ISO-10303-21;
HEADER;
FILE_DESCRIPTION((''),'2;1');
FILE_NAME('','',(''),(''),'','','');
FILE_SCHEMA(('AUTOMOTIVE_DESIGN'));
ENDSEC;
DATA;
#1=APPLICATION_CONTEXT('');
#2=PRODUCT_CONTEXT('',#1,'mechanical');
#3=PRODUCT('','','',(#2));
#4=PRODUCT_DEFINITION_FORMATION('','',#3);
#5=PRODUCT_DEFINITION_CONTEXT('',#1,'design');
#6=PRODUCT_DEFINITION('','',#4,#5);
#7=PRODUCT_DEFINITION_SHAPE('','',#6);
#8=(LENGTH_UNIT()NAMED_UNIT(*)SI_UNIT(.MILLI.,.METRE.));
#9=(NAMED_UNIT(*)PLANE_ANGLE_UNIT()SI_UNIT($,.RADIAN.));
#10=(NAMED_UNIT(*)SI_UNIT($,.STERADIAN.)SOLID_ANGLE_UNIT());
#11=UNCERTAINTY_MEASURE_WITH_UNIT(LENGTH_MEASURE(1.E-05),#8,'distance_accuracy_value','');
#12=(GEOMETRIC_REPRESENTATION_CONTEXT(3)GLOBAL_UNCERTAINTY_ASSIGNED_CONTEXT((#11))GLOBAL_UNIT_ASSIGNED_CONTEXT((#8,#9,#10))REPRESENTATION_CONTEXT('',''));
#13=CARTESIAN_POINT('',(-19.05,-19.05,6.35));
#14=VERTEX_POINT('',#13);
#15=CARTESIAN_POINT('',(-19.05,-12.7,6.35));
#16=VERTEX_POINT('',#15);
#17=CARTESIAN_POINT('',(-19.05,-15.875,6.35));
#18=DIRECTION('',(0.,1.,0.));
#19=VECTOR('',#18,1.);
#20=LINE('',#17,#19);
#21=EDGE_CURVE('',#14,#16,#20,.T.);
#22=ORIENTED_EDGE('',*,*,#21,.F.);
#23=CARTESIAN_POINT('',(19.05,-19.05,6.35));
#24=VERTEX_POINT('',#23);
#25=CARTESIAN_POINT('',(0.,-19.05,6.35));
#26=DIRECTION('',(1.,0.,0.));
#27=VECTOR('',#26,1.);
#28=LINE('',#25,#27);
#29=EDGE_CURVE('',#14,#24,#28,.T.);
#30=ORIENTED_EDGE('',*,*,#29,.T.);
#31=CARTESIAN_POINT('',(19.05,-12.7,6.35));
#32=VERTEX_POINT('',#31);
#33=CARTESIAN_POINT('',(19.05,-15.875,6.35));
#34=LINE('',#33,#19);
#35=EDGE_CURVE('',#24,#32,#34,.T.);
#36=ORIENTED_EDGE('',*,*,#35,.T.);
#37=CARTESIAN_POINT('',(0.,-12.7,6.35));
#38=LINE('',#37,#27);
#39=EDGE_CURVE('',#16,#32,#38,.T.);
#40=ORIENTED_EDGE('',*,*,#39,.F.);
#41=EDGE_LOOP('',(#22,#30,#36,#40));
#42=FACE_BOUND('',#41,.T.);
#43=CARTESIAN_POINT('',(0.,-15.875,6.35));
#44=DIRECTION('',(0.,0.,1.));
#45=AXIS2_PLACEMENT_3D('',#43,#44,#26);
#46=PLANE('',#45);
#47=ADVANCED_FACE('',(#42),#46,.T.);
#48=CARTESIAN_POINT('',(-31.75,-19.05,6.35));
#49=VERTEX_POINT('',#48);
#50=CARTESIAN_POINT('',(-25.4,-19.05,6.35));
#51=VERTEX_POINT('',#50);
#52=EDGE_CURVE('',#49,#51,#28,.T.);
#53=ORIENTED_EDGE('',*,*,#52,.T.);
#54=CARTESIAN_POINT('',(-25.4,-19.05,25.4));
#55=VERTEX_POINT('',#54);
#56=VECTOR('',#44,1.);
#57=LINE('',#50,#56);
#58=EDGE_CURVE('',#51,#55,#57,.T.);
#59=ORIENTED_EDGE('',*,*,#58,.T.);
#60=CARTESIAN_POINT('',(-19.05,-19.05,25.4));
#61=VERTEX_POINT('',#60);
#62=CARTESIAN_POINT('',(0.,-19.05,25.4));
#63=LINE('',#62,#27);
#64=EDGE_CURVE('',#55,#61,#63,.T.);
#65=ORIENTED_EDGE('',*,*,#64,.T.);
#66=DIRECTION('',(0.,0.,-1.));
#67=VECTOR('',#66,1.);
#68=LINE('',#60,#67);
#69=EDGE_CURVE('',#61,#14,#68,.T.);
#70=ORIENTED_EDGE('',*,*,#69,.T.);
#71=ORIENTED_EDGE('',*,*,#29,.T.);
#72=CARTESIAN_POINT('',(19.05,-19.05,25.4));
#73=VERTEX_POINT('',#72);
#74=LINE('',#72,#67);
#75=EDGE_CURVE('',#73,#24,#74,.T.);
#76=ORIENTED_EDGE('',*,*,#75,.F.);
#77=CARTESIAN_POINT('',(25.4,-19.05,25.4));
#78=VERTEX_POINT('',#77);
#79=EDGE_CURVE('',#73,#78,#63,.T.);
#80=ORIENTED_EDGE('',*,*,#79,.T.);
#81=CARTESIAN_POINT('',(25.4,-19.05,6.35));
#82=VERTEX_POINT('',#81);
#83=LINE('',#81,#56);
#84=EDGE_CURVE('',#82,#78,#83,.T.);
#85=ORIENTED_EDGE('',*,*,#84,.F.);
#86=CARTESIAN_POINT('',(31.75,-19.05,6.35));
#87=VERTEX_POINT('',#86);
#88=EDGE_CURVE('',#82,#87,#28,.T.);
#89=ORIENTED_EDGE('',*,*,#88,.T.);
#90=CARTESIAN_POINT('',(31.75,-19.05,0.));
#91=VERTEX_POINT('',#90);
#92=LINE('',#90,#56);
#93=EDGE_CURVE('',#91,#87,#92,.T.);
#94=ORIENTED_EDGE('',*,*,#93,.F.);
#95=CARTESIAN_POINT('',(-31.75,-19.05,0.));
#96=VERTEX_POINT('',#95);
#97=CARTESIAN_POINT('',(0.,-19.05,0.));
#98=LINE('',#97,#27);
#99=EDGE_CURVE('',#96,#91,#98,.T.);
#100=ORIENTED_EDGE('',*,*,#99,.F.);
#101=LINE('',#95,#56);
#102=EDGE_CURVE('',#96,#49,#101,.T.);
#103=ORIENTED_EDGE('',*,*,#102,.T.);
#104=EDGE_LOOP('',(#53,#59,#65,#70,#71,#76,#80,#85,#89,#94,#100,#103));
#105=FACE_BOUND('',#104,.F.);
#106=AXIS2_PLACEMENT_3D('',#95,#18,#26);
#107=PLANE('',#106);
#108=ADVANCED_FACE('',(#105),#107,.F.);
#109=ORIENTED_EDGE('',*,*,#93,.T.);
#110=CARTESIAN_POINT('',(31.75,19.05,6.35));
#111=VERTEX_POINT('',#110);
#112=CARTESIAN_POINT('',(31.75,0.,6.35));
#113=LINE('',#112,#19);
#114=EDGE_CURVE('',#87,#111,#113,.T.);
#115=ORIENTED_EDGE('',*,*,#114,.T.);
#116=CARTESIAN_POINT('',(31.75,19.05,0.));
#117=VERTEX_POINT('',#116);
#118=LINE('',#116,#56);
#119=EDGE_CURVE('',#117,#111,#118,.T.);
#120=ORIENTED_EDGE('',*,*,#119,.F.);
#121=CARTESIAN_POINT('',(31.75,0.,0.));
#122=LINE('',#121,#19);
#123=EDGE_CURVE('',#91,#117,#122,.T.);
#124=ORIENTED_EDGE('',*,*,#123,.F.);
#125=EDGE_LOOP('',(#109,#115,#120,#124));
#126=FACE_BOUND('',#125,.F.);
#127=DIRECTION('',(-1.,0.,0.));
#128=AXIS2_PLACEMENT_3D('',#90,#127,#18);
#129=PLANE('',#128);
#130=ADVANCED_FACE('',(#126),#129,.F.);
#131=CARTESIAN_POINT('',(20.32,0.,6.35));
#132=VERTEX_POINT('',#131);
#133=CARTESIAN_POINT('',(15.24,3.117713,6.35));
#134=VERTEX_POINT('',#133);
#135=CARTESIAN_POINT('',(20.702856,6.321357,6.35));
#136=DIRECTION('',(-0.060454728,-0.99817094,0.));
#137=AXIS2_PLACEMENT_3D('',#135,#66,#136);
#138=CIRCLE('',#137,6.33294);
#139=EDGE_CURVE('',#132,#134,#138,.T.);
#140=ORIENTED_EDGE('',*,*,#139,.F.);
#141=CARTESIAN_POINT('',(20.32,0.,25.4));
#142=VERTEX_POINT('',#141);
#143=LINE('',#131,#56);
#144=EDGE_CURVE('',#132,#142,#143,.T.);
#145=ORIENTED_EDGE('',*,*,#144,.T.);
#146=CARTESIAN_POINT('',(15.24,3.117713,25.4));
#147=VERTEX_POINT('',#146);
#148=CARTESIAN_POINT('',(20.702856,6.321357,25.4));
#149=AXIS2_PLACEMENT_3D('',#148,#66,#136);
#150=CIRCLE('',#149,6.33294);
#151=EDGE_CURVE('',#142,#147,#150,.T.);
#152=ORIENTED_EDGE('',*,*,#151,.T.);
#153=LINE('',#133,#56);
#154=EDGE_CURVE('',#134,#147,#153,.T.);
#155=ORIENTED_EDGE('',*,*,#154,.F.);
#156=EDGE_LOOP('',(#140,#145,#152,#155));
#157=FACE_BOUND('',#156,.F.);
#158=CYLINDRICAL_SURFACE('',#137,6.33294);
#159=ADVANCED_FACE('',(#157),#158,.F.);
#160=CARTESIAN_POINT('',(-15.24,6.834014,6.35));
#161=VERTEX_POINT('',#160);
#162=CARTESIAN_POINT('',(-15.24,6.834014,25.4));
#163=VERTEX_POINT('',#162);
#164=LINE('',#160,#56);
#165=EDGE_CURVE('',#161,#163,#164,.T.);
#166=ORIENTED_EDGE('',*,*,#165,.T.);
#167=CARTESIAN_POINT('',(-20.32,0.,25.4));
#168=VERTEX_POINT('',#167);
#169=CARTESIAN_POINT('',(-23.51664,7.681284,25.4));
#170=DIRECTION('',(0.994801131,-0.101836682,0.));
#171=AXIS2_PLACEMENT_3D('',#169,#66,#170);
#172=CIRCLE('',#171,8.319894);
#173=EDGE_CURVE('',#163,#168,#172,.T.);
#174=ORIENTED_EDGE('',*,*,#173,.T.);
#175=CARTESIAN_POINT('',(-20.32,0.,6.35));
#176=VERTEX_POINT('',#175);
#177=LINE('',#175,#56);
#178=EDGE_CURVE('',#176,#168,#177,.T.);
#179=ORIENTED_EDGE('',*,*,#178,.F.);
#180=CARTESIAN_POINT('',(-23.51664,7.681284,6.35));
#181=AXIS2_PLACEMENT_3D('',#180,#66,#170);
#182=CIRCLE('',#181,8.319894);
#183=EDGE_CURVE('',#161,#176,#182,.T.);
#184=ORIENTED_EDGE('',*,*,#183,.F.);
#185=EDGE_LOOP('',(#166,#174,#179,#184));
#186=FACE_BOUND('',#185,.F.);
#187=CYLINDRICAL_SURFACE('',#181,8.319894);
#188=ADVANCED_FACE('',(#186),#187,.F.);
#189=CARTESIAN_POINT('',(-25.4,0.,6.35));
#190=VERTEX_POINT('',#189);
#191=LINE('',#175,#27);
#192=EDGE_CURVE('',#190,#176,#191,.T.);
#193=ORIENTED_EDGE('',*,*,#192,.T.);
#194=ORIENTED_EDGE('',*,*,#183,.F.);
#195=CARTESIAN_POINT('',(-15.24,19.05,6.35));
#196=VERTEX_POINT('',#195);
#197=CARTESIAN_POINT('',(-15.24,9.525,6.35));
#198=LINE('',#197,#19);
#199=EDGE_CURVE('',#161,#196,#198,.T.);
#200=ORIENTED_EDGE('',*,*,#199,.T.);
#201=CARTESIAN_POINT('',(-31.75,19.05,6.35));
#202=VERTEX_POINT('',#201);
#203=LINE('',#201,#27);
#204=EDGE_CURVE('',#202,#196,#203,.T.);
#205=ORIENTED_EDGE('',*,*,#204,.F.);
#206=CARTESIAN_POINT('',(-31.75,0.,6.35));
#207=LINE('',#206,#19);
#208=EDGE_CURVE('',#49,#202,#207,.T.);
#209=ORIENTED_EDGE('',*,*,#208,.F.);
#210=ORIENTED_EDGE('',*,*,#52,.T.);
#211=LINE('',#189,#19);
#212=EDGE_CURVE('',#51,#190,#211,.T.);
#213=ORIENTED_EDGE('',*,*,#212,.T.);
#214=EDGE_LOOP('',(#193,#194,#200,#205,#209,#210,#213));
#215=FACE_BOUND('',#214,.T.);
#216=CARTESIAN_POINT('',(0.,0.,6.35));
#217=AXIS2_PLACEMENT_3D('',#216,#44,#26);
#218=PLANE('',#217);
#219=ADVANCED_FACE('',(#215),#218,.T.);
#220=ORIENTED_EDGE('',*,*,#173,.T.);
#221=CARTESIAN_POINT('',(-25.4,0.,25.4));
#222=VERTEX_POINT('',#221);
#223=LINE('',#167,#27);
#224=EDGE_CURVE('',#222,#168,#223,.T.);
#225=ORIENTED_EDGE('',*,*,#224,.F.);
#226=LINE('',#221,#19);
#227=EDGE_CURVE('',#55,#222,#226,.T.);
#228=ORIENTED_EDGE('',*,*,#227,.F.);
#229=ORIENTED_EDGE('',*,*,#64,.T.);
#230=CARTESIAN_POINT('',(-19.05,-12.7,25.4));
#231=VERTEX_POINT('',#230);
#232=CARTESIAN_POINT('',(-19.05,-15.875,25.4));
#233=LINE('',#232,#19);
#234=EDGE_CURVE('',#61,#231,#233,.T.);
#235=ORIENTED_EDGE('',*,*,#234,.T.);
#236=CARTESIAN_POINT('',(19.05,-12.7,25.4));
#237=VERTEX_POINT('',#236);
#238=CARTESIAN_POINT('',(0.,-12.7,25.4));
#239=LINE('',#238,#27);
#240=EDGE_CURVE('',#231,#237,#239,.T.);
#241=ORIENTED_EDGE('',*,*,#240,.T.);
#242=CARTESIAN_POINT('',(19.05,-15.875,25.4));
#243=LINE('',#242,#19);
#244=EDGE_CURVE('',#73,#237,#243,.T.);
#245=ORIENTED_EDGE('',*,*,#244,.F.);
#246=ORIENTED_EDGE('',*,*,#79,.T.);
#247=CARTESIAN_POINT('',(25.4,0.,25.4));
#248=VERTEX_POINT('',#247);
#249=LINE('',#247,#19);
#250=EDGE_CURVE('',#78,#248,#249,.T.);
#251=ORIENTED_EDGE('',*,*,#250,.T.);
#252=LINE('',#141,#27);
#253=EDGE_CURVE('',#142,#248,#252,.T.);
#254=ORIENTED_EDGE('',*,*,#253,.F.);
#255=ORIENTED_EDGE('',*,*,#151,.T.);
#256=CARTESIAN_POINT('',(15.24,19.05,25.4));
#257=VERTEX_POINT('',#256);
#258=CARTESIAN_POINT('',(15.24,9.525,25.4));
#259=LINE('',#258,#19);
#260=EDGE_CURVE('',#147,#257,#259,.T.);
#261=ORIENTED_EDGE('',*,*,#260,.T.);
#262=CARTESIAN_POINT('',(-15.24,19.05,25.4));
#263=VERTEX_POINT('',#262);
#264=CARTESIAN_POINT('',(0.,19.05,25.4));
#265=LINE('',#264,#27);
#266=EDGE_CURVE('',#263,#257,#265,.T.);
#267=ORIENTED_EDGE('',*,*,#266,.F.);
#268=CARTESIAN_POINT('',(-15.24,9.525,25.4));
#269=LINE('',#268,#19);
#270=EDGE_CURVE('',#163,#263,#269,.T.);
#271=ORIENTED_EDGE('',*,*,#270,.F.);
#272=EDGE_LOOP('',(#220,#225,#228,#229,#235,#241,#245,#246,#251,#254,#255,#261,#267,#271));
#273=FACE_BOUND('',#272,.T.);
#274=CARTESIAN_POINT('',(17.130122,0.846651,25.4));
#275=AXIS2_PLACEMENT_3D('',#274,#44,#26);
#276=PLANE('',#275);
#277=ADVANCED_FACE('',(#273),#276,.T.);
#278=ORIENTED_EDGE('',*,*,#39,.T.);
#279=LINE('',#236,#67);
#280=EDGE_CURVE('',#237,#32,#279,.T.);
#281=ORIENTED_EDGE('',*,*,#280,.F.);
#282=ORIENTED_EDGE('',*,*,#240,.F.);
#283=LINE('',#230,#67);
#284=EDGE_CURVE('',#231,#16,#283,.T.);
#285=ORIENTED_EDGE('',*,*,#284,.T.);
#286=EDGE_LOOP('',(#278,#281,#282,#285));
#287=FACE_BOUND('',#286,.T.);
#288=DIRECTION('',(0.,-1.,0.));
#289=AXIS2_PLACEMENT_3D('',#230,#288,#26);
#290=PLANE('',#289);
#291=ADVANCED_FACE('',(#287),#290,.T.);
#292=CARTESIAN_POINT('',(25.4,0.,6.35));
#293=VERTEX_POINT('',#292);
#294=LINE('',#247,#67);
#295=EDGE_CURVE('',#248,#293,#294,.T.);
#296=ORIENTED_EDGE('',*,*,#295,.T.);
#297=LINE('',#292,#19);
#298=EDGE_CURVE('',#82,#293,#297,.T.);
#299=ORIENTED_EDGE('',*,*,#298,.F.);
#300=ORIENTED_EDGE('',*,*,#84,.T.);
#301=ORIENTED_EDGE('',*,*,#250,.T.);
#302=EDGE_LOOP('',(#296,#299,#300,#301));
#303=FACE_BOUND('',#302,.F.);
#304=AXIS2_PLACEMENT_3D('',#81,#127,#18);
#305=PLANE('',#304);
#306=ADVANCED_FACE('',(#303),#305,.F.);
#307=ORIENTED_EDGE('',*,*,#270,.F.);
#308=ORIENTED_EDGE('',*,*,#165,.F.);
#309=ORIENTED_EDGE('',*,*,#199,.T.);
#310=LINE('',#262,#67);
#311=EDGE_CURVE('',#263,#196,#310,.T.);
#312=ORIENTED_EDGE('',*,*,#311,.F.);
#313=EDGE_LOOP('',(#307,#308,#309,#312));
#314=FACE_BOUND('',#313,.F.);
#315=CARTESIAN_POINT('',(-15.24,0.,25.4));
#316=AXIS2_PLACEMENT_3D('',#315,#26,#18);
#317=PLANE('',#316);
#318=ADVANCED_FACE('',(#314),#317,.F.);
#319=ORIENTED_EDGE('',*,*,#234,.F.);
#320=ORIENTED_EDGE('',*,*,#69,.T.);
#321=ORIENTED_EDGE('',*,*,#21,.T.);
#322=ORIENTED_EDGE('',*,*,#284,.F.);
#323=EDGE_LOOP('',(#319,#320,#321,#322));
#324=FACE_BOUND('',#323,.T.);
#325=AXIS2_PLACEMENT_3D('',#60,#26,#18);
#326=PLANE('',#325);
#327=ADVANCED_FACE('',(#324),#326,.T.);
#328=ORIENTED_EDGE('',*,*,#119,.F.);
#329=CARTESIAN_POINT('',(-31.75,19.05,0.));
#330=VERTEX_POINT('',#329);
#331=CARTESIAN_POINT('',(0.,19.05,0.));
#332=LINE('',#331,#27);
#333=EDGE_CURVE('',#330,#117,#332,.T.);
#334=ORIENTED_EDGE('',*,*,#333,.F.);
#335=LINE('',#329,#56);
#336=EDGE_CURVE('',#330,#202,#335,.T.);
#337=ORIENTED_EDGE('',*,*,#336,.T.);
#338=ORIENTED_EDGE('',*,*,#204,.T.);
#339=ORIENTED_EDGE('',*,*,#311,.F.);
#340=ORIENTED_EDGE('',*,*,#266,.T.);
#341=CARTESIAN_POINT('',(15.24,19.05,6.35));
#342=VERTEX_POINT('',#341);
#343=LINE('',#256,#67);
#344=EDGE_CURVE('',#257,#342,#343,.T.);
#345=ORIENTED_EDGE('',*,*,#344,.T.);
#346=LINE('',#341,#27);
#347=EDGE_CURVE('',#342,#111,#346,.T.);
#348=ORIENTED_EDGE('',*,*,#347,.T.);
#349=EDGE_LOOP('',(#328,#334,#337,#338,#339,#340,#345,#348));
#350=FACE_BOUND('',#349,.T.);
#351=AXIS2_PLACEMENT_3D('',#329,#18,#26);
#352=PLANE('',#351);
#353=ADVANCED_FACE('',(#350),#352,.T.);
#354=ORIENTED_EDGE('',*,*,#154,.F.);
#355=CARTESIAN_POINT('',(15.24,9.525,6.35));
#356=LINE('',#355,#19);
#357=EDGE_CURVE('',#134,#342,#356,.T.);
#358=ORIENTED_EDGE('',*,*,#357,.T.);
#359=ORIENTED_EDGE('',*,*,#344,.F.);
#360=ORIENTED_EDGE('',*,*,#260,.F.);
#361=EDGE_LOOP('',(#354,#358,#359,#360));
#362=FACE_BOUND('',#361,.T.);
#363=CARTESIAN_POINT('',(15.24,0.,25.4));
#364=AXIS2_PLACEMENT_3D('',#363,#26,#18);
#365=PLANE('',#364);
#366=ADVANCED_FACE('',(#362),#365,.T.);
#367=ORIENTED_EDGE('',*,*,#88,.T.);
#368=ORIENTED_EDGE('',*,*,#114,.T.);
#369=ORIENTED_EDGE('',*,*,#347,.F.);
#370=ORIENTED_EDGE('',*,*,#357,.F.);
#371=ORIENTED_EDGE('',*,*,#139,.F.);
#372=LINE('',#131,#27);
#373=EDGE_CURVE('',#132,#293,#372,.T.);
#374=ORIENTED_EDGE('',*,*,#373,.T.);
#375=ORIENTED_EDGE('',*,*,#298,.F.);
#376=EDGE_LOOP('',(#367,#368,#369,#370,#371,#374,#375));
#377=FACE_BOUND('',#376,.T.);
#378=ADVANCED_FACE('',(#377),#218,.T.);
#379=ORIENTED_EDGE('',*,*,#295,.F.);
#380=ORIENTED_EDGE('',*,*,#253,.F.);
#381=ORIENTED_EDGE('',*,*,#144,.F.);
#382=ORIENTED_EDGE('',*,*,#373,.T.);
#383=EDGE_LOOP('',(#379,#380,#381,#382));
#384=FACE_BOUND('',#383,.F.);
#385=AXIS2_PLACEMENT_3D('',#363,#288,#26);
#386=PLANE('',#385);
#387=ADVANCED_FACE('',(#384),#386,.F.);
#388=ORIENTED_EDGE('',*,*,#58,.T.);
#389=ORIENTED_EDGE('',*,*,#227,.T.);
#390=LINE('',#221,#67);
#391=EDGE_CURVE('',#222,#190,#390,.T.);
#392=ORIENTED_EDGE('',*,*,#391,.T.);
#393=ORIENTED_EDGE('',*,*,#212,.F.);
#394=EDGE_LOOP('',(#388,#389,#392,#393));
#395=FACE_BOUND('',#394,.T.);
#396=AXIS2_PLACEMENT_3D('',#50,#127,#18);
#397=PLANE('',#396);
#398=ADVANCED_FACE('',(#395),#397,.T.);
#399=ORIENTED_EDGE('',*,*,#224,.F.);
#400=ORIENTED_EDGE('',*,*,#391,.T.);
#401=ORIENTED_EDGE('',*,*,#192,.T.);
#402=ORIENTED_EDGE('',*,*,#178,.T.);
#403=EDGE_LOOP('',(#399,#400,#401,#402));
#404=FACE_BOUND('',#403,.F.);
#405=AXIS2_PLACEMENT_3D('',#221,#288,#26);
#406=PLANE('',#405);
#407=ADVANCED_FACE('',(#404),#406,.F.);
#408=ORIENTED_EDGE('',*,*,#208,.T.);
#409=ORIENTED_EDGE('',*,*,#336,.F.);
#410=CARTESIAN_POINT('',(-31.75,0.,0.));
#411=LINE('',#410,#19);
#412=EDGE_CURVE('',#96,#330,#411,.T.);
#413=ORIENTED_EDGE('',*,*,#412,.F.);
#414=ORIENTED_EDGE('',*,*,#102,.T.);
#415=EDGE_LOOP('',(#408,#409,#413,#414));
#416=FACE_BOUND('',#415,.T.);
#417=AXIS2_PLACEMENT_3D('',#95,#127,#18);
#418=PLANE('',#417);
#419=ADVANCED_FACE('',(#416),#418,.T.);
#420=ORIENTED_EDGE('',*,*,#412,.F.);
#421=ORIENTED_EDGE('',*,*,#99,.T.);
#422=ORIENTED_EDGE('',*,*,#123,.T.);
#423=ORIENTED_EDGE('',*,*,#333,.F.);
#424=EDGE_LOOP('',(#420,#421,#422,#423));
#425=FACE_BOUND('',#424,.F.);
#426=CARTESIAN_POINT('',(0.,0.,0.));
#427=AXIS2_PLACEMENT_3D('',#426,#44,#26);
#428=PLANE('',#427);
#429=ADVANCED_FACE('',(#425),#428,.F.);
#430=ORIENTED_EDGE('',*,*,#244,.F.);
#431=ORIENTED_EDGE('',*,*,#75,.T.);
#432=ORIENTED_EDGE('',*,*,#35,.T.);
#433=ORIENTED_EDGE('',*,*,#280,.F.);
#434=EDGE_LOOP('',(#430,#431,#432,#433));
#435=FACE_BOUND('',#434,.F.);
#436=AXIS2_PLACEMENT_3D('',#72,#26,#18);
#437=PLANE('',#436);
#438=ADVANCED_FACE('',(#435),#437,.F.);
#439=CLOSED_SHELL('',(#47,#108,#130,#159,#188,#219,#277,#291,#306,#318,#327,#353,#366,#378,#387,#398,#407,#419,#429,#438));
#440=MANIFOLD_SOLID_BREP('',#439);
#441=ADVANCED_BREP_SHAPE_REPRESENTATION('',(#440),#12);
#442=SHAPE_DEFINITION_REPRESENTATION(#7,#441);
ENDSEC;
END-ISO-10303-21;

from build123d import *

# Parameters (mm, degrees)
F0_W      = 63.5
F0_H      = 38.1
F1_DEPTH  = 6.35
F2_W      = 50.8
F2_H      = 38.1
F3_DEPTH  = 19.05
F4_W      = 38.1
F4_H      = 6.35
F5_DEPTH  = 19.05
F6_W      = 10.16
F6_H      = 19.05
F7_DEPTH  = 19.05
F8_DEPTH  = 19.05
F10_DEPTH = 19.05
F12_DEPTH = 19.05


with BuildPart() as f1:
    # F0 (on Top) → F1 (new body)
    with BuildSketch(Plane.XY):
        Rectangle(F0_W, F0_H)
    extrude(amount=F1_DEPTH)

    # F2 (on face) → F3 (join)
    with BuildSketch(Plane.XY.offset(6.35)):
        Rectangle(F2_W, F2_H)
    extrude(amount=F3_DEPTH)

    # F4 (on face) → F5 (cut)
    with BuildSketch(Plane.XY.offset(25.4)):
        with Locations((0, -15.875)):
            Rectangle(F4_W, F4_H)
    extrude(amount=-F5_DEPTH, mode=Mode.SUBTRACT)

    # F6 (on face) → F7 (cut)
    with BuildSketch(Plane.XY.offset(25.4)):
        with Locations((-20.32, 9.525)):
            Rectangle(F6_W, F6_H)
    extrude(amount=-F7_DEPTH, mode=Mode.SUBTRACT)

    # F6 (on face) → F8 (cut)
    with BuildSketch(Plane.XY.offset(25.4)):
        with Locations((20.32, 9.525)):
            Rectangle(F6_W, F6_H)
    extrude(amount=-F8_DEPTH, mode=Mode.SUBTRACT)

    # F9 (on face) → F10 (join)
    with BuildSketch(Plane.XY.offset(6.35)):
        with BuildLine():
            ThreePointArc((-15.24, 6.8340138532), (-16.8394418456, 2.717851858), (-20.32, 0))
            Line((-20.32, 0), (-15.24, 0))
            Line((-15.24, 0), (-15.24, 6.8340138532))
        make_face()
    extrude(amount=F10_DEPTH)

    # F11 (on face) → F12 (join)
    with BuildSketch(Plane.XY.offset(6.35)):
        with BuildLine():
            ThreePointArc((20.32, 0), (17.3902858448, 0.9238566208), (15.24, 3.1177132417))
            Line((15.24, 3.1177132417), (15.24, 0))
            Line((15.24, 0), (20.32, 0))
        make_face()
    extrude(amount=F12_DEPTH)


solid = f1.part
